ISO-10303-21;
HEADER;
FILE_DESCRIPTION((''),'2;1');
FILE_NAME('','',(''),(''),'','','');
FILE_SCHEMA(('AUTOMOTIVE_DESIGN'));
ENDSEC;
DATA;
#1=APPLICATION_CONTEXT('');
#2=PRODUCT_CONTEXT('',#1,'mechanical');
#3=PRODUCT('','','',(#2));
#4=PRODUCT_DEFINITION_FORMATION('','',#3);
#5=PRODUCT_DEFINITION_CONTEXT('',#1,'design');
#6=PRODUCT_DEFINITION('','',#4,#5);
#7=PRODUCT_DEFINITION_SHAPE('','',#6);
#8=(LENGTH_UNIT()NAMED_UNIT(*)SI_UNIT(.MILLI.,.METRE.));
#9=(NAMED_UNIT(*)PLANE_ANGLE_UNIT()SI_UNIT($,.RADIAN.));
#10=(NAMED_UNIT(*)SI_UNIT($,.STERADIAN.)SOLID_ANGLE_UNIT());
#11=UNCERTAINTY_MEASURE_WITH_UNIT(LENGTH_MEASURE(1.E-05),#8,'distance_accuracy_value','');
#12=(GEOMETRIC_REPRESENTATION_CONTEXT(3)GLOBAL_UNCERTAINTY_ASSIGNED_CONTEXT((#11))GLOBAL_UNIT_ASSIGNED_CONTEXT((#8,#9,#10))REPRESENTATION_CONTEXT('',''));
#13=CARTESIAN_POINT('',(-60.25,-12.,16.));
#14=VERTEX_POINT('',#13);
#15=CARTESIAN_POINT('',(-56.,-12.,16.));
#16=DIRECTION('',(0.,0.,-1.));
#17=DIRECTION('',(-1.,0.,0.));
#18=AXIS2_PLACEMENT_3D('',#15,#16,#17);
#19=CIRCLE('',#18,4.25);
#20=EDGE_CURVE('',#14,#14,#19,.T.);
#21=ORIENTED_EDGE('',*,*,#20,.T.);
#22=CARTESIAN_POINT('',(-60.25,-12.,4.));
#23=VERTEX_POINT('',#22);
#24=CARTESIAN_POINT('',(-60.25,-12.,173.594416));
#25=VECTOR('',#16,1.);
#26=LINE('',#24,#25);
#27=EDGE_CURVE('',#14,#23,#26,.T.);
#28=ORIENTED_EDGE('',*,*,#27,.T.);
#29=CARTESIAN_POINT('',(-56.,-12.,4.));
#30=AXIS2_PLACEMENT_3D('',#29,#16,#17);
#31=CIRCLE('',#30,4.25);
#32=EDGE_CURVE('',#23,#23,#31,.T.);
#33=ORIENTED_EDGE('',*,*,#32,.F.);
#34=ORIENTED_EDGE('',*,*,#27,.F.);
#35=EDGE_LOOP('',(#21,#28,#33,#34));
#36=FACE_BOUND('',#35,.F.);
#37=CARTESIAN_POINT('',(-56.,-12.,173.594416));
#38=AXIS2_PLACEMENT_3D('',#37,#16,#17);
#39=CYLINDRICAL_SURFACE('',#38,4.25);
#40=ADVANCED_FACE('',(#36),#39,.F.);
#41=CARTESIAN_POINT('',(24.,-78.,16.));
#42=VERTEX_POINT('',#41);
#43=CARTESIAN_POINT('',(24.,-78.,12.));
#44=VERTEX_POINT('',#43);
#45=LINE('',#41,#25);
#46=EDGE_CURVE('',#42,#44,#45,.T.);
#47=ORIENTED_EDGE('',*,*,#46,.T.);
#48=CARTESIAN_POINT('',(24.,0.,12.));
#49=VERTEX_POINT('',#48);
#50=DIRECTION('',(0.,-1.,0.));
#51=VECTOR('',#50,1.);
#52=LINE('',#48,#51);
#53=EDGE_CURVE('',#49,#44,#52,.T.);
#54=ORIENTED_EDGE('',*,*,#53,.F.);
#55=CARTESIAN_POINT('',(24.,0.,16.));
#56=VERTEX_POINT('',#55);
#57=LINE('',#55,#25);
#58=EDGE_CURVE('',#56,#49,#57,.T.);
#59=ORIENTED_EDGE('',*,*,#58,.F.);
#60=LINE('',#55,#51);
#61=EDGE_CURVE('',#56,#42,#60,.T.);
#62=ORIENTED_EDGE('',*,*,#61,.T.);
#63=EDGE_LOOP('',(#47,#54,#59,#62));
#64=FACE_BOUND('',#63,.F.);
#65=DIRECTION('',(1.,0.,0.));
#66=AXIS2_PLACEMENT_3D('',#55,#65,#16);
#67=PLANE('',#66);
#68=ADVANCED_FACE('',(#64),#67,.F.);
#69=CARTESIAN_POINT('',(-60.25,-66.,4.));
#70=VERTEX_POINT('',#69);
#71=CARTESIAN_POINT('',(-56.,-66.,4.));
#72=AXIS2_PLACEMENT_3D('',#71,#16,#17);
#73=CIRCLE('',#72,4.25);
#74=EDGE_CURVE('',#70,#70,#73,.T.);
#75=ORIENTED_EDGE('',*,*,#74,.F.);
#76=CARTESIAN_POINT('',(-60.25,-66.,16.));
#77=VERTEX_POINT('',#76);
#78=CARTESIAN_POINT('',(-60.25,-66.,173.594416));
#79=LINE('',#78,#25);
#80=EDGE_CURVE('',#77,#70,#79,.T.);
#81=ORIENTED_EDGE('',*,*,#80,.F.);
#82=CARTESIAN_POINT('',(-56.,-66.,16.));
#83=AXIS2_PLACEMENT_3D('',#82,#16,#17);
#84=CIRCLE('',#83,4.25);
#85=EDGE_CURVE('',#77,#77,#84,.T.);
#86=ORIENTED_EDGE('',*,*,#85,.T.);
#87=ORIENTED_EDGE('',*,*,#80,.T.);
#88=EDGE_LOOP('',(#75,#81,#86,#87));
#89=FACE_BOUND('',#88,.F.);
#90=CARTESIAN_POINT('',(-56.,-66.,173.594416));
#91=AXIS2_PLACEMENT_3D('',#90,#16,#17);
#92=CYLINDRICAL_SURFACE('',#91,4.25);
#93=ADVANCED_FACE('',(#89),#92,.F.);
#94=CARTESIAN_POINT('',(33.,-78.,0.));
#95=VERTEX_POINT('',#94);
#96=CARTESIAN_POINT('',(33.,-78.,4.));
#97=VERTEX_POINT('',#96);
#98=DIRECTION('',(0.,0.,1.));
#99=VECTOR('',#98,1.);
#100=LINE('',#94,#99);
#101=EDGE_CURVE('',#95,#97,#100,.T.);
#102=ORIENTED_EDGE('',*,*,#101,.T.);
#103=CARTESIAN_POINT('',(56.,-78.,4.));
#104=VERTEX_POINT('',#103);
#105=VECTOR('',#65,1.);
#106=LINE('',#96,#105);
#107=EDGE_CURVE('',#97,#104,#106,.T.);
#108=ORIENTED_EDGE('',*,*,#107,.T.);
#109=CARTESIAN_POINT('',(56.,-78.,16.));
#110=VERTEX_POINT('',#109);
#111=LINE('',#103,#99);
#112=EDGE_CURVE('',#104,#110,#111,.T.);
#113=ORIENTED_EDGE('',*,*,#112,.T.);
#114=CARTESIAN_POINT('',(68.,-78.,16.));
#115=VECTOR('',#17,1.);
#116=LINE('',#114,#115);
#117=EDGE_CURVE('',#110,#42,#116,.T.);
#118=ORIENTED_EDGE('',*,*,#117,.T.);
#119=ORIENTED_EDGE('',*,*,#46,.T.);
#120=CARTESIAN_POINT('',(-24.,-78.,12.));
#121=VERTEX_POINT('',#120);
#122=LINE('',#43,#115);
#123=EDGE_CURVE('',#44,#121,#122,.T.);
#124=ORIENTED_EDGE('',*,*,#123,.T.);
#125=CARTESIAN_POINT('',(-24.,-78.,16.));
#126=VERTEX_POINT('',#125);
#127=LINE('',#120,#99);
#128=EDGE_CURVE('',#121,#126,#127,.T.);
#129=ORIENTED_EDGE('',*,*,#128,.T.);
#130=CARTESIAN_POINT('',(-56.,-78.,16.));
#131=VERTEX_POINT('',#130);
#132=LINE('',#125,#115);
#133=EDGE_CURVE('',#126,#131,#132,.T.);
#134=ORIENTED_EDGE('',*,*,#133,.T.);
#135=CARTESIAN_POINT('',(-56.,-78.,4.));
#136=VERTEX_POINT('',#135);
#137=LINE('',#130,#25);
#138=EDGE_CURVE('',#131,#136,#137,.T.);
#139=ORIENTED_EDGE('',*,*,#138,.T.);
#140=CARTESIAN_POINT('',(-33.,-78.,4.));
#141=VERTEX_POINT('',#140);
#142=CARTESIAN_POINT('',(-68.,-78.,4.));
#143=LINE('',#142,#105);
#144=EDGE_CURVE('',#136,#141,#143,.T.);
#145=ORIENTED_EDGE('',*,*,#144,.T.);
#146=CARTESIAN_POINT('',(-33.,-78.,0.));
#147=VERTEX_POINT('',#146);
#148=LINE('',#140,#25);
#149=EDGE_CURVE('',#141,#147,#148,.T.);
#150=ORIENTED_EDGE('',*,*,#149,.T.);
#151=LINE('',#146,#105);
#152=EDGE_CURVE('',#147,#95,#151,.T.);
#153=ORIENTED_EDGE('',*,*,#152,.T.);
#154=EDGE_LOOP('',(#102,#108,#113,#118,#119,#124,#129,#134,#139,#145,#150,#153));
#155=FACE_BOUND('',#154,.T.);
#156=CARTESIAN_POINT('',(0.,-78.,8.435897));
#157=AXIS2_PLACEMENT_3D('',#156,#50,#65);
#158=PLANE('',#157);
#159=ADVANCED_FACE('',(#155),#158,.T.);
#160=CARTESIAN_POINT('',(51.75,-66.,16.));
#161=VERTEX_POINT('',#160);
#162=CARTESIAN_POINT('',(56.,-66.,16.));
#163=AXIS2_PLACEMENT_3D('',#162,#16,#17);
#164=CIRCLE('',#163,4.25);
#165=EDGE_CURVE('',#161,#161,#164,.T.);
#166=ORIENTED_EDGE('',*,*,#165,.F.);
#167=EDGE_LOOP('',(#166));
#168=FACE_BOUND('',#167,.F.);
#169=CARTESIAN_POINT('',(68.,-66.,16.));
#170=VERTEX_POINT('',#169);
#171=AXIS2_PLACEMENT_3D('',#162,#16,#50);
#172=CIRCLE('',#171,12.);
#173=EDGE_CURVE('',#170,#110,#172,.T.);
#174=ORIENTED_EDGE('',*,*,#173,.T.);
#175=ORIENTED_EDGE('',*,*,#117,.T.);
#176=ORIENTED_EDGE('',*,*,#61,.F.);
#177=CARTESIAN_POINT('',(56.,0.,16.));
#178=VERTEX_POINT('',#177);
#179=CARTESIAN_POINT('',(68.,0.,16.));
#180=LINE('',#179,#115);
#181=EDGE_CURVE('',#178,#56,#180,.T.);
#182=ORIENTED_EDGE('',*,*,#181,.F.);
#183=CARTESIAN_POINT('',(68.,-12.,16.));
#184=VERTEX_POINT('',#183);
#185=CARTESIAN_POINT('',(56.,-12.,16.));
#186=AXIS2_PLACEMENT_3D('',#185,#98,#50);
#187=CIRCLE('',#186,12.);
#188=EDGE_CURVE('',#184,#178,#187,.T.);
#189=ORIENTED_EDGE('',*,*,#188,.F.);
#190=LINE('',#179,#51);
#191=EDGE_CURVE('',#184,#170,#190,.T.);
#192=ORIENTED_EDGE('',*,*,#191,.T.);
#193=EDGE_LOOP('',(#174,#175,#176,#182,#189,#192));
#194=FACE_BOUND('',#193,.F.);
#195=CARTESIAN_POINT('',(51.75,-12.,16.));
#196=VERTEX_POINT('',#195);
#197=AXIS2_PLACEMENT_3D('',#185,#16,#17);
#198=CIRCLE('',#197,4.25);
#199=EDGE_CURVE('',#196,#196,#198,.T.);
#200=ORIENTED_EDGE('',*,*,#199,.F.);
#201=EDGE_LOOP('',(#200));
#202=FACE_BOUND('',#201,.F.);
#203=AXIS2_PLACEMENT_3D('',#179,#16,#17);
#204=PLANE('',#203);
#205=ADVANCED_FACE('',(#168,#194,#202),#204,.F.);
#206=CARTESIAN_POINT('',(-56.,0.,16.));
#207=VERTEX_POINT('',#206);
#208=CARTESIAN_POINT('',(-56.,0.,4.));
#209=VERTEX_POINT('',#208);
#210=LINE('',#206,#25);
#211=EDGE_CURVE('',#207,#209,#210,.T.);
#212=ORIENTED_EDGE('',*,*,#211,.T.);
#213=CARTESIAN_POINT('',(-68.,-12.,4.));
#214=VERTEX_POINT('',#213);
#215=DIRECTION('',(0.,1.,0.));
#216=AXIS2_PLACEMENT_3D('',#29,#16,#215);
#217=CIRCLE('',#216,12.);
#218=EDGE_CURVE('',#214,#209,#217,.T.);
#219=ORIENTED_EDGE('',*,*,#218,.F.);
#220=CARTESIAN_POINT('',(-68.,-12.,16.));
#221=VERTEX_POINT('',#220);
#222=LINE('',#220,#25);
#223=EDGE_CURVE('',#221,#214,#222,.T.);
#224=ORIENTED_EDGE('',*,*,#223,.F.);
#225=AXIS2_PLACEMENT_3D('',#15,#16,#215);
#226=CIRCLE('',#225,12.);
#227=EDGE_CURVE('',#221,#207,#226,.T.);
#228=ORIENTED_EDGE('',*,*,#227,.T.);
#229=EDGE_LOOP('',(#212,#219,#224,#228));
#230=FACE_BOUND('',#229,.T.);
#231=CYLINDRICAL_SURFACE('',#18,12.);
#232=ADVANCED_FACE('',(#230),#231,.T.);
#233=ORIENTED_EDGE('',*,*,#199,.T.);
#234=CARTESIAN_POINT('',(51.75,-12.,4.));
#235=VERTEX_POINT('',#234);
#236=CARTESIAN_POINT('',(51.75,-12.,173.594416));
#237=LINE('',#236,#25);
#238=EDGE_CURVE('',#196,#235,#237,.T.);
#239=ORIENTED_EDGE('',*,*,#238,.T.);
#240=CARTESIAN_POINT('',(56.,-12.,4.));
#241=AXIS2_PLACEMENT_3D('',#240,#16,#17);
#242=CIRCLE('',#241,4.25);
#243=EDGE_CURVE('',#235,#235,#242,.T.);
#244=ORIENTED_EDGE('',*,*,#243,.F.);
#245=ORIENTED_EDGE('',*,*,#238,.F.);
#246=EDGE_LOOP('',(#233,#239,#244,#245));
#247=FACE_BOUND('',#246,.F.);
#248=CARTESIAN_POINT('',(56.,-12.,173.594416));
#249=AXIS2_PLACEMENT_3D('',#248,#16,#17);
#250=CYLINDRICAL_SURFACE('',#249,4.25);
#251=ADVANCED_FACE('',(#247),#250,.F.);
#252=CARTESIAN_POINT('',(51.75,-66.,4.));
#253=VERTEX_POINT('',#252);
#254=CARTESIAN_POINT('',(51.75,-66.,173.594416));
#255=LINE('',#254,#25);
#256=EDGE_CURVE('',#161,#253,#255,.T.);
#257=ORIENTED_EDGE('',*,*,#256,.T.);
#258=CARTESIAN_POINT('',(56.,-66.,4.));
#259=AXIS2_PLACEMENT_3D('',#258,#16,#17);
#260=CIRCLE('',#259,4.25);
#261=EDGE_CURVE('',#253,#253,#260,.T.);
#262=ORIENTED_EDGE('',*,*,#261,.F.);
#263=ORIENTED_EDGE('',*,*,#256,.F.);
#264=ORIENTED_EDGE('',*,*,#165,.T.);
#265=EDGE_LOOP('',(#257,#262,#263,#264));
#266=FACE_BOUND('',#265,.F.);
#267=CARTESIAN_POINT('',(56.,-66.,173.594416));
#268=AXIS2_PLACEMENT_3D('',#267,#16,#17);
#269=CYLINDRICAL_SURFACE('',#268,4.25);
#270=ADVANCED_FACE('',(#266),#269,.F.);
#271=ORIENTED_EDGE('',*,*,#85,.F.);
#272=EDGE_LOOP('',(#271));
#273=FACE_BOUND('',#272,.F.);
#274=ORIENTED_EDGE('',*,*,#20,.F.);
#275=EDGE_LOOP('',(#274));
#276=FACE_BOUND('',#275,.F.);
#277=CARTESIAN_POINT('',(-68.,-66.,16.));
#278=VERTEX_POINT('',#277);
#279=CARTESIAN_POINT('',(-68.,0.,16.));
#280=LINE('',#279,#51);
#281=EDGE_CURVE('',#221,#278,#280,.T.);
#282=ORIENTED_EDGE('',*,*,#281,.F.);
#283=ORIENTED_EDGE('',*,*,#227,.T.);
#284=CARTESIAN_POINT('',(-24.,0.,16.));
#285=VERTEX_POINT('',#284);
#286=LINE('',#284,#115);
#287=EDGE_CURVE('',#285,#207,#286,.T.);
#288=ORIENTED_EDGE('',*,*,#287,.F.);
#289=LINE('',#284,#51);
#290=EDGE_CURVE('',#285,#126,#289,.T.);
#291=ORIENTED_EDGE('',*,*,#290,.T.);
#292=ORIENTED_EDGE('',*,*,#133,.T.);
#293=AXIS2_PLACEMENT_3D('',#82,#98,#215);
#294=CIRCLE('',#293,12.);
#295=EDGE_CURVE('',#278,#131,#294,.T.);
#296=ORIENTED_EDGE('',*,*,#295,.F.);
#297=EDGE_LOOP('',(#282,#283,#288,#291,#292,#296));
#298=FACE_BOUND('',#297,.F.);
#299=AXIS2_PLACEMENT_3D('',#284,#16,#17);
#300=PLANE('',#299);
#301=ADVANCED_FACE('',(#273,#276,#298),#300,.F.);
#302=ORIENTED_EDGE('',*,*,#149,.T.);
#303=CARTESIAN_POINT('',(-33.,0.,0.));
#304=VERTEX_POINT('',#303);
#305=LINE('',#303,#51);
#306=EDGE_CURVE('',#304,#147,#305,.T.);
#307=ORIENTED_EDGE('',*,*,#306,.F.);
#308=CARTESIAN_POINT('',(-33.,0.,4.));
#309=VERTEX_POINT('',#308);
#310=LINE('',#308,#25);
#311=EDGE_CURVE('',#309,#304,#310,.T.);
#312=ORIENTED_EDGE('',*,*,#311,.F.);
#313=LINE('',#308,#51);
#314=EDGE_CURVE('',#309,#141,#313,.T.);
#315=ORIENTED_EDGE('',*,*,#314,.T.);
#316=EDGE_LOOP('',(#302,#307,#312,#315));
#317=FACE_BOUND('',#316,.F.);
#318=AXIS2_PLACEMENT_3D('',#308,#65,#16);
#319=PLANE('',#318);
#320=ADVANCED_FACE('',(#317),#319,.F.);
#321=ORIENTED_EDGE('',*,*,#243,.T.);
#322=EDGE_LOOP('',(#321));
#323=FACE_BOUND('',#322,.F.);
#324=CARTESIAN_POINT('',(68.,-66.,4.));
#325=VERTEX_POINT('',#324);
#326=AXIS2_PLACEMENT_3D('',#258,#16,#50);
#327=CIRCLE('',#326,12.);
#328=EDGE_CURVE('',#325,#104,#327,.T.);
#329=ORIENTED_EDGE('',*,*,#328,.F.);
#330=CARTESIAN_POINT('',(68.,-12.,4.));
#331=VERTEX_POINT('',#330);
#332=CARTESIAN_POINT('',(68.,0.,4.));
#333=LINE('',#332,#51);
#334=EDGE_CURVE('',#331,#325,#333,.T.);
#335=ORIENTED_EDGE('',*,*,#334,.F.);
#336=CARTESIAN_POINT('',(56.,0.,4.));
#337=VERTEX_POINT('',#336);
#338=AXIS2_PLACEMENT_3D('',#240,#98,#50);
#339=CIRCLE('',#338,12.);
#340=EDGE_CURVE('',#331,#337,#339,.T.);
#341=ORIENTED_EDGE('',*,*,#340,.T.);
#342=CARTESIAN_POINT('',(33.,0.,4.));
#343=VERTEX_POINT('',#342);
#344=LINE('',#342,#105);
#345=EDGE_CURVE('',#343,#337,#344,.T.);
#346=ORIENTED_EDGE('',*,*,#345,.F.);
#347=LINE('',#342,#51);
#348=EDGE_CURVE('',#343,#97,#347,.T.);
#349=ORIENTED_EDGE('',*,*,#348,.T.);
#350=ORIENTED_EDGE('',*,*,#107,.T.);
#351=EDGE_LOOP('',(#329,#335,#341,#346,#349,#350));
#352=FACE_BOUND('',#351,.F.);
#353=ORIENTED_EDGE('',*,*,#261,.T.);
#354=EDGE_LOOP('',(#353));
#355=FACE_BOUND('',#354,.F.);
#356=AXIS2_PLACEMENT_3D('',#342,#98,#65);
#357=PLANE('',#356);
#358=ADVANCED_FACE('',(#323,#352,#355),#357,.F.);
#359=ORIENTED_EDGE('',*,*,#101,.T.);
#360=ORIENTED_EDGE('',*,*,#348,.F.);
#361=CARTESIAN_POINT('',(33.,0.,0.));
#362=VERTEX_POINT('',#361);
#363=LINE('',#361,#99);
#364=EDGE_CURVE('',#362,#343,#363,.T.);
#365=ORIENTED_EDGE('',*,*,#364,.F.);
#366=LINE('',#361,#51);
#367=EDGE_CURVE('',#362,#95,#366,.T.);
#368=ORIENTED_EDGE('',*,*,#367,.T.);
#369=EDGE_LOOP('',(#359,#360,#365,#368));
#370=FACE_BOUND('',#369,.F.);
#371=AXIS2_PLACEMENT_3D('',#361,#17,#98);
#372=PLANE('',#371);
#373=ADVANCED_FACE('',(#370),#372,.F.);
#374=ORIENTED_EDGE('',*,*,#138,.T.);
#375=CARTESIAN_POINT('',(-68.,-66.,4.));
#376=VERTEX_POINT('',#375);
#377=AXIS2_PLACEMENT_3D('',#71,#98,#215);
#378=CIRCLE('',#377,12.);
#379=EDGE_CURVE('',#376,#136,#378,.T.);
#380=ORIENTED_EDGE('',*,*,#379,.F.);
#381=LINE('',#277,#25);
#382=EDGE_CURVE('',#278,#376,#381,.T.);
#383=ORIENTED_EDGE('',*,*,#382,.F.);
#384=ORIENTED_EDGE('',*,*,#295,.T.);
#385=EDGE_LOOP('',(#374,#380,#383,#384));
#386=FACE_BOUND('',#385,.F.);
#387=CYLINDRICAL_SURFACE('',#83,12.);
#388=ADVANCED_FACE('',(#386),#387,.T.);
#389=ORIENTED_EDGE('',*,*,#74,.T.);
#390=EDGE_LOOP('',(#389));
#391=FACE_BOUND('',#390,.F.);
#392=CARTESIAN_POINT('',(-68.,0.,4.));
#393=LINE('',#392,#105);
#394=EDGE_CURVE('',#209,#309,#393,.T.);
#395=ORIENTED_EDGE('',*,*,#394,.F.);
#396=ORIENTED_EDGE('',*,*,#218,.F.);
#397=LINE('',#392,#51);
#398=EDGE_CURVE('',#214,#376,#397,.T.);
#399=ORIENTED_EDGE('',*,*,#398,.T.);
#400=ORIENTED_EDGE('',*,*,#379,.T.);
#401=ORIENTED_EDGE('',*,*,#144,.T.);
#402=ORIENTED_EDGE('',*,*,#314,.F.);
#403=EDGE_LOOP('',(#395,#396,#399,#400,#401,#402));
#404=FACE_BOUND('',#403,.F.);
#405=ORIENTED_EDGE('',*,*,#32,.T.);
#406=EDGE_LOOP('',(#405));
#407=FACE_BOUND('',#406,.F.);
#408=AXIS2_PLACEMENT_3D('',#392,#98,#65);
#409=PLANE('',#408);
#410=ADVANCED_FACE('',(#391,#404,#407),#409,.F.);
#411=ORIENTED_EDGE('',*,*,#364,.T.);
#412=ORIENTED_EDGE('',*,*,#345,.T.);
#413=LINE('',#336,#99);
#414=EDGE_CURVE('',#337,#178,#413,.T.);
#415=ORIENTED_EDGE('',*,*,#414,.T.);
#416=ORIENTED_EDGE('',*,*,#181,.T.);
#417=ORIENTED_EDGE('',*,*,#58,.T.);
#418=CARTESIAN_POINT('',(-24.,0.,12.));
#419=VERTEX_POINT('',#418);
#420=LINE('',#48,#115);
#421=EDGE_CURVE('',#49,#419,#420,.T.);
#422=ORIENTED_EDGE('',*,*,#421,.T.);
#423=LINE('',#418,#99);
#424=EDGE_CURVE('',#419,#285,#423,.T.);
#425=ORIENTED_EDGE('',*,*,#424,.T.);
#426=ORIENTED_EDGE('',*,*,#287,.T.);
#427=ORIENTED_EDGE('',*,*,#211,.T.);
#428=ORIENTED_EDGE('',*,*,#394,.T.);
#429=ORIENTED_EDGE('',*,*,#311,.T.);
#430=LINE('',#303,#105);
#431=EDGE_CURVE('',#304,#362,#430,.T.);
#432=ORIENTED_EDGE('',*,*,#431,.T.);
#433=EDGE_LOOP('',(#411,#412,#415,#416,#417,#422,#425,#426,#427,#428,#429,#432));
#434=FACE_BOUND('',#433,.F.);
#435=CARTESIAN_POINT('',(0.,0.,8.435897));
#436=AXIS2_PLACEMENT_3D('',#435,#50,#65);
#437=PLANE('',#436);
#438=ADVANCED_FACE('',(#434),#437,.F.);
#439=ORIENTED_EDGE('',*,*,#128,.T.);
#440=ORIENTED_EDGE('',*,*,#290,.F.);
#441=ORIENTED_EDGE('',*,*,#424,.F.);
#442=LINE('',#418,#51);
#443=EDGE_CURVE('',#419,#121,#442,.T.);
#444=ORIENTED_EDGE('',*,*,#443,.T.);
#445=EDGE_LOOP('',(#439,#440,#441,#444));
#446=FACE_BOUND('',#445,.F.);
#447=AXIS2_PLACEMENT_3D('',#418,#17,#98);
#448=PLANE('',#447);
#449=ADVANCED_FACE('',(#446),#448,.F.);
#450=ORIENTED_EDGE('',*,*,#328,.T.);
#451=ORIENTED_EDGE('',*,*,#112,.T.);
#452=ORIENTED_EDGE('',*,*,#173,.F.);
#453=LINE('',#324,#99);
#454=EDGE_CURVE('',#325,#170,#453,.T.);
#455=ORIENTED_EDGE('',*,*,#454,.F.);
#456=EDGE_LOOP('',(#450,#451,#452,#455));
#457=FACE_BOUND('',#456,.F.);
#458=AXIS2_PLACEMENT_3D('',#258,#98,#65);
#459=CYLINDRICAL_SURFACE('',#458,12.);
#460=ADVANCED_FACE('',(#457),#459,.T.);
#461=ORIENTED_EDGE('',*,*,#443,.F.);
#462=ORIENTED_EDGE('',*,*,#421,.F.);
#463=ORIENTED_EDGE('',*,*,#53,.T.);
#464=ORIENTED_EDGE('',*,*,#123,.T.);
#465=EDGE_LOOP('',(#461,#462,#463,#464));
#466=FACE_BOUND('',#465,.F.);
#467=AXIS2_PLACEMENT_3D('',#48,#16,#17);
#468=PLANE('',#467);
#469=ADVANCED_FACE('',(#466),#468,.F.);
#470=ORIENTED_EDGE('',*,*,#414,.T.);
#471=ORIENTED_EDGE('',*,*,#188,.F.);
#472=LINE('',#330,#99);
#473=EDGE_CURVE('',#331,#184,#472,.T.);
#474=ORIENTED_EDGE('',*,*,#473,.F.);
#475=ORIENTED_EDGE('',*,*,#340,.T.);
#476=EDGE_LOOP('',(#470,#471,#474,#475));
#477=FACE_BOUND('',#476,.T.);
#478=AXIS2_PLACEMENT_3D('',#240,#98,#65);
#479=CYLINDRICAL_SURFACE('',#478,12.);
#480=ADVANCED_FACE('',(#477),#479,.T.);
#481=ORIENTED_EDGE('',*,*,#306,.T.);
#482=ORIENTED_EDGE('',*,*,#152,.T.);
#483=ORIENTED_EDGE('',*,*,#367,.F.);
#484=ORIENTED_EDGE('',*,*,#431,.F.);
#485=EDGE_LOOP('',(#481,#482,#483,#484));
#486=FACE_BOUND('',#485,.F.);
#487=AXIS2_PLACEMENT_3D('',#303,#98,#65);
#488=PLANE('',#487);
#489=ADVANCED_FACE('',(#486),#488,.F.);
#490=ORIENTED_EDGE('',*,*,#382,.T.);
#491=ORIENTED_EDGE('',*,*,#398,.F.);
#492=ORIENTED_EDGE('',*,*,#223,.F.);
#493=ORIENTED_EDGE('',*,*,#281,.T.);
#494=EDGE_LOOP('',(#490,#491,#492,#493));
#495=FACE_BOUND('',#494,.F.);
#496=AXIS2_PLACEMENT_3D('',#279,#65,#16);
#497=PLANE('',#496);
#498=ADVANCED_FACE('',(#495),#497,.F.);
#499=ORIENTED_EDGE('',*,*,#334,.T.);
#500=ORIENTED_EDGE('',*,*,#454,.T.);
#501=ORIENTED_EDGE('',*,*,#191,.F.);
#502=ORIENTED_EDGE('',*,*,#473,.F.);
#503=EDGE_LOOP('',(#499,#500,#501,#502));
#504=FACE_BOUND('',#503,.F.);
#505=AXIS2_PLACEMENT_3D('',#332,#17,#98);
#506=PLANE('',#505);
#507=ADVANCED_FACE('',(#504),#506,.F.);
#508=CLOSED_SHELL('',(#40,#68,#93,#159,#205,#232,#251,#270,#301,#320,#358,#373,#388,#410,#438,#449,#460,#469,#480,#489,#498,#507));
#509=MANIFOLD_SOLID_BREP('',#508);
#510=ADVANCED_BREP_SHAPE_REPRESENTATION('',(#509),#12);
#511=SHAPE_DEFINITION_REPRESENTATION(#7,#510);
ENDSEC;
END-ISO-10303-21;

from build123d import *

# Parameters (mm, degrees)
F1_DEPTH = 78
F2_R     = 12
F4_D     = 8.5


with BuildPart() as f1:
    # F0 (on Front) → F1 (new body)
    with BuildSketch(Plane.XZ):
        Polygon((-33, 4), (-33, 0), (33, 0), (33, 4), (68, 4), (68, 16), (24, 16), (24, 12), (-24, 12), (-24, 16), (-68, 16), (-68, 4), align=None)
    extrude(amount=F1_DEPTH)

    # F2
    f2_edges = [f1.edges().sort_by_distance(p)[0] for p in [
        (-68, -78, 10),
        (68, -78, 10),
        (68, 0, 10),
        (-68, 0, 10),
    ]]
    fillet(f2_edges, radius=F2_R)

    # F4 (through all)
    with Locations(Plane.XY.offset(16)):
        with Locations((-56, -66), (-56, -12), (56, -66), (56, -12)):
            Hole(F4_D / 2)


solid = f1.part
